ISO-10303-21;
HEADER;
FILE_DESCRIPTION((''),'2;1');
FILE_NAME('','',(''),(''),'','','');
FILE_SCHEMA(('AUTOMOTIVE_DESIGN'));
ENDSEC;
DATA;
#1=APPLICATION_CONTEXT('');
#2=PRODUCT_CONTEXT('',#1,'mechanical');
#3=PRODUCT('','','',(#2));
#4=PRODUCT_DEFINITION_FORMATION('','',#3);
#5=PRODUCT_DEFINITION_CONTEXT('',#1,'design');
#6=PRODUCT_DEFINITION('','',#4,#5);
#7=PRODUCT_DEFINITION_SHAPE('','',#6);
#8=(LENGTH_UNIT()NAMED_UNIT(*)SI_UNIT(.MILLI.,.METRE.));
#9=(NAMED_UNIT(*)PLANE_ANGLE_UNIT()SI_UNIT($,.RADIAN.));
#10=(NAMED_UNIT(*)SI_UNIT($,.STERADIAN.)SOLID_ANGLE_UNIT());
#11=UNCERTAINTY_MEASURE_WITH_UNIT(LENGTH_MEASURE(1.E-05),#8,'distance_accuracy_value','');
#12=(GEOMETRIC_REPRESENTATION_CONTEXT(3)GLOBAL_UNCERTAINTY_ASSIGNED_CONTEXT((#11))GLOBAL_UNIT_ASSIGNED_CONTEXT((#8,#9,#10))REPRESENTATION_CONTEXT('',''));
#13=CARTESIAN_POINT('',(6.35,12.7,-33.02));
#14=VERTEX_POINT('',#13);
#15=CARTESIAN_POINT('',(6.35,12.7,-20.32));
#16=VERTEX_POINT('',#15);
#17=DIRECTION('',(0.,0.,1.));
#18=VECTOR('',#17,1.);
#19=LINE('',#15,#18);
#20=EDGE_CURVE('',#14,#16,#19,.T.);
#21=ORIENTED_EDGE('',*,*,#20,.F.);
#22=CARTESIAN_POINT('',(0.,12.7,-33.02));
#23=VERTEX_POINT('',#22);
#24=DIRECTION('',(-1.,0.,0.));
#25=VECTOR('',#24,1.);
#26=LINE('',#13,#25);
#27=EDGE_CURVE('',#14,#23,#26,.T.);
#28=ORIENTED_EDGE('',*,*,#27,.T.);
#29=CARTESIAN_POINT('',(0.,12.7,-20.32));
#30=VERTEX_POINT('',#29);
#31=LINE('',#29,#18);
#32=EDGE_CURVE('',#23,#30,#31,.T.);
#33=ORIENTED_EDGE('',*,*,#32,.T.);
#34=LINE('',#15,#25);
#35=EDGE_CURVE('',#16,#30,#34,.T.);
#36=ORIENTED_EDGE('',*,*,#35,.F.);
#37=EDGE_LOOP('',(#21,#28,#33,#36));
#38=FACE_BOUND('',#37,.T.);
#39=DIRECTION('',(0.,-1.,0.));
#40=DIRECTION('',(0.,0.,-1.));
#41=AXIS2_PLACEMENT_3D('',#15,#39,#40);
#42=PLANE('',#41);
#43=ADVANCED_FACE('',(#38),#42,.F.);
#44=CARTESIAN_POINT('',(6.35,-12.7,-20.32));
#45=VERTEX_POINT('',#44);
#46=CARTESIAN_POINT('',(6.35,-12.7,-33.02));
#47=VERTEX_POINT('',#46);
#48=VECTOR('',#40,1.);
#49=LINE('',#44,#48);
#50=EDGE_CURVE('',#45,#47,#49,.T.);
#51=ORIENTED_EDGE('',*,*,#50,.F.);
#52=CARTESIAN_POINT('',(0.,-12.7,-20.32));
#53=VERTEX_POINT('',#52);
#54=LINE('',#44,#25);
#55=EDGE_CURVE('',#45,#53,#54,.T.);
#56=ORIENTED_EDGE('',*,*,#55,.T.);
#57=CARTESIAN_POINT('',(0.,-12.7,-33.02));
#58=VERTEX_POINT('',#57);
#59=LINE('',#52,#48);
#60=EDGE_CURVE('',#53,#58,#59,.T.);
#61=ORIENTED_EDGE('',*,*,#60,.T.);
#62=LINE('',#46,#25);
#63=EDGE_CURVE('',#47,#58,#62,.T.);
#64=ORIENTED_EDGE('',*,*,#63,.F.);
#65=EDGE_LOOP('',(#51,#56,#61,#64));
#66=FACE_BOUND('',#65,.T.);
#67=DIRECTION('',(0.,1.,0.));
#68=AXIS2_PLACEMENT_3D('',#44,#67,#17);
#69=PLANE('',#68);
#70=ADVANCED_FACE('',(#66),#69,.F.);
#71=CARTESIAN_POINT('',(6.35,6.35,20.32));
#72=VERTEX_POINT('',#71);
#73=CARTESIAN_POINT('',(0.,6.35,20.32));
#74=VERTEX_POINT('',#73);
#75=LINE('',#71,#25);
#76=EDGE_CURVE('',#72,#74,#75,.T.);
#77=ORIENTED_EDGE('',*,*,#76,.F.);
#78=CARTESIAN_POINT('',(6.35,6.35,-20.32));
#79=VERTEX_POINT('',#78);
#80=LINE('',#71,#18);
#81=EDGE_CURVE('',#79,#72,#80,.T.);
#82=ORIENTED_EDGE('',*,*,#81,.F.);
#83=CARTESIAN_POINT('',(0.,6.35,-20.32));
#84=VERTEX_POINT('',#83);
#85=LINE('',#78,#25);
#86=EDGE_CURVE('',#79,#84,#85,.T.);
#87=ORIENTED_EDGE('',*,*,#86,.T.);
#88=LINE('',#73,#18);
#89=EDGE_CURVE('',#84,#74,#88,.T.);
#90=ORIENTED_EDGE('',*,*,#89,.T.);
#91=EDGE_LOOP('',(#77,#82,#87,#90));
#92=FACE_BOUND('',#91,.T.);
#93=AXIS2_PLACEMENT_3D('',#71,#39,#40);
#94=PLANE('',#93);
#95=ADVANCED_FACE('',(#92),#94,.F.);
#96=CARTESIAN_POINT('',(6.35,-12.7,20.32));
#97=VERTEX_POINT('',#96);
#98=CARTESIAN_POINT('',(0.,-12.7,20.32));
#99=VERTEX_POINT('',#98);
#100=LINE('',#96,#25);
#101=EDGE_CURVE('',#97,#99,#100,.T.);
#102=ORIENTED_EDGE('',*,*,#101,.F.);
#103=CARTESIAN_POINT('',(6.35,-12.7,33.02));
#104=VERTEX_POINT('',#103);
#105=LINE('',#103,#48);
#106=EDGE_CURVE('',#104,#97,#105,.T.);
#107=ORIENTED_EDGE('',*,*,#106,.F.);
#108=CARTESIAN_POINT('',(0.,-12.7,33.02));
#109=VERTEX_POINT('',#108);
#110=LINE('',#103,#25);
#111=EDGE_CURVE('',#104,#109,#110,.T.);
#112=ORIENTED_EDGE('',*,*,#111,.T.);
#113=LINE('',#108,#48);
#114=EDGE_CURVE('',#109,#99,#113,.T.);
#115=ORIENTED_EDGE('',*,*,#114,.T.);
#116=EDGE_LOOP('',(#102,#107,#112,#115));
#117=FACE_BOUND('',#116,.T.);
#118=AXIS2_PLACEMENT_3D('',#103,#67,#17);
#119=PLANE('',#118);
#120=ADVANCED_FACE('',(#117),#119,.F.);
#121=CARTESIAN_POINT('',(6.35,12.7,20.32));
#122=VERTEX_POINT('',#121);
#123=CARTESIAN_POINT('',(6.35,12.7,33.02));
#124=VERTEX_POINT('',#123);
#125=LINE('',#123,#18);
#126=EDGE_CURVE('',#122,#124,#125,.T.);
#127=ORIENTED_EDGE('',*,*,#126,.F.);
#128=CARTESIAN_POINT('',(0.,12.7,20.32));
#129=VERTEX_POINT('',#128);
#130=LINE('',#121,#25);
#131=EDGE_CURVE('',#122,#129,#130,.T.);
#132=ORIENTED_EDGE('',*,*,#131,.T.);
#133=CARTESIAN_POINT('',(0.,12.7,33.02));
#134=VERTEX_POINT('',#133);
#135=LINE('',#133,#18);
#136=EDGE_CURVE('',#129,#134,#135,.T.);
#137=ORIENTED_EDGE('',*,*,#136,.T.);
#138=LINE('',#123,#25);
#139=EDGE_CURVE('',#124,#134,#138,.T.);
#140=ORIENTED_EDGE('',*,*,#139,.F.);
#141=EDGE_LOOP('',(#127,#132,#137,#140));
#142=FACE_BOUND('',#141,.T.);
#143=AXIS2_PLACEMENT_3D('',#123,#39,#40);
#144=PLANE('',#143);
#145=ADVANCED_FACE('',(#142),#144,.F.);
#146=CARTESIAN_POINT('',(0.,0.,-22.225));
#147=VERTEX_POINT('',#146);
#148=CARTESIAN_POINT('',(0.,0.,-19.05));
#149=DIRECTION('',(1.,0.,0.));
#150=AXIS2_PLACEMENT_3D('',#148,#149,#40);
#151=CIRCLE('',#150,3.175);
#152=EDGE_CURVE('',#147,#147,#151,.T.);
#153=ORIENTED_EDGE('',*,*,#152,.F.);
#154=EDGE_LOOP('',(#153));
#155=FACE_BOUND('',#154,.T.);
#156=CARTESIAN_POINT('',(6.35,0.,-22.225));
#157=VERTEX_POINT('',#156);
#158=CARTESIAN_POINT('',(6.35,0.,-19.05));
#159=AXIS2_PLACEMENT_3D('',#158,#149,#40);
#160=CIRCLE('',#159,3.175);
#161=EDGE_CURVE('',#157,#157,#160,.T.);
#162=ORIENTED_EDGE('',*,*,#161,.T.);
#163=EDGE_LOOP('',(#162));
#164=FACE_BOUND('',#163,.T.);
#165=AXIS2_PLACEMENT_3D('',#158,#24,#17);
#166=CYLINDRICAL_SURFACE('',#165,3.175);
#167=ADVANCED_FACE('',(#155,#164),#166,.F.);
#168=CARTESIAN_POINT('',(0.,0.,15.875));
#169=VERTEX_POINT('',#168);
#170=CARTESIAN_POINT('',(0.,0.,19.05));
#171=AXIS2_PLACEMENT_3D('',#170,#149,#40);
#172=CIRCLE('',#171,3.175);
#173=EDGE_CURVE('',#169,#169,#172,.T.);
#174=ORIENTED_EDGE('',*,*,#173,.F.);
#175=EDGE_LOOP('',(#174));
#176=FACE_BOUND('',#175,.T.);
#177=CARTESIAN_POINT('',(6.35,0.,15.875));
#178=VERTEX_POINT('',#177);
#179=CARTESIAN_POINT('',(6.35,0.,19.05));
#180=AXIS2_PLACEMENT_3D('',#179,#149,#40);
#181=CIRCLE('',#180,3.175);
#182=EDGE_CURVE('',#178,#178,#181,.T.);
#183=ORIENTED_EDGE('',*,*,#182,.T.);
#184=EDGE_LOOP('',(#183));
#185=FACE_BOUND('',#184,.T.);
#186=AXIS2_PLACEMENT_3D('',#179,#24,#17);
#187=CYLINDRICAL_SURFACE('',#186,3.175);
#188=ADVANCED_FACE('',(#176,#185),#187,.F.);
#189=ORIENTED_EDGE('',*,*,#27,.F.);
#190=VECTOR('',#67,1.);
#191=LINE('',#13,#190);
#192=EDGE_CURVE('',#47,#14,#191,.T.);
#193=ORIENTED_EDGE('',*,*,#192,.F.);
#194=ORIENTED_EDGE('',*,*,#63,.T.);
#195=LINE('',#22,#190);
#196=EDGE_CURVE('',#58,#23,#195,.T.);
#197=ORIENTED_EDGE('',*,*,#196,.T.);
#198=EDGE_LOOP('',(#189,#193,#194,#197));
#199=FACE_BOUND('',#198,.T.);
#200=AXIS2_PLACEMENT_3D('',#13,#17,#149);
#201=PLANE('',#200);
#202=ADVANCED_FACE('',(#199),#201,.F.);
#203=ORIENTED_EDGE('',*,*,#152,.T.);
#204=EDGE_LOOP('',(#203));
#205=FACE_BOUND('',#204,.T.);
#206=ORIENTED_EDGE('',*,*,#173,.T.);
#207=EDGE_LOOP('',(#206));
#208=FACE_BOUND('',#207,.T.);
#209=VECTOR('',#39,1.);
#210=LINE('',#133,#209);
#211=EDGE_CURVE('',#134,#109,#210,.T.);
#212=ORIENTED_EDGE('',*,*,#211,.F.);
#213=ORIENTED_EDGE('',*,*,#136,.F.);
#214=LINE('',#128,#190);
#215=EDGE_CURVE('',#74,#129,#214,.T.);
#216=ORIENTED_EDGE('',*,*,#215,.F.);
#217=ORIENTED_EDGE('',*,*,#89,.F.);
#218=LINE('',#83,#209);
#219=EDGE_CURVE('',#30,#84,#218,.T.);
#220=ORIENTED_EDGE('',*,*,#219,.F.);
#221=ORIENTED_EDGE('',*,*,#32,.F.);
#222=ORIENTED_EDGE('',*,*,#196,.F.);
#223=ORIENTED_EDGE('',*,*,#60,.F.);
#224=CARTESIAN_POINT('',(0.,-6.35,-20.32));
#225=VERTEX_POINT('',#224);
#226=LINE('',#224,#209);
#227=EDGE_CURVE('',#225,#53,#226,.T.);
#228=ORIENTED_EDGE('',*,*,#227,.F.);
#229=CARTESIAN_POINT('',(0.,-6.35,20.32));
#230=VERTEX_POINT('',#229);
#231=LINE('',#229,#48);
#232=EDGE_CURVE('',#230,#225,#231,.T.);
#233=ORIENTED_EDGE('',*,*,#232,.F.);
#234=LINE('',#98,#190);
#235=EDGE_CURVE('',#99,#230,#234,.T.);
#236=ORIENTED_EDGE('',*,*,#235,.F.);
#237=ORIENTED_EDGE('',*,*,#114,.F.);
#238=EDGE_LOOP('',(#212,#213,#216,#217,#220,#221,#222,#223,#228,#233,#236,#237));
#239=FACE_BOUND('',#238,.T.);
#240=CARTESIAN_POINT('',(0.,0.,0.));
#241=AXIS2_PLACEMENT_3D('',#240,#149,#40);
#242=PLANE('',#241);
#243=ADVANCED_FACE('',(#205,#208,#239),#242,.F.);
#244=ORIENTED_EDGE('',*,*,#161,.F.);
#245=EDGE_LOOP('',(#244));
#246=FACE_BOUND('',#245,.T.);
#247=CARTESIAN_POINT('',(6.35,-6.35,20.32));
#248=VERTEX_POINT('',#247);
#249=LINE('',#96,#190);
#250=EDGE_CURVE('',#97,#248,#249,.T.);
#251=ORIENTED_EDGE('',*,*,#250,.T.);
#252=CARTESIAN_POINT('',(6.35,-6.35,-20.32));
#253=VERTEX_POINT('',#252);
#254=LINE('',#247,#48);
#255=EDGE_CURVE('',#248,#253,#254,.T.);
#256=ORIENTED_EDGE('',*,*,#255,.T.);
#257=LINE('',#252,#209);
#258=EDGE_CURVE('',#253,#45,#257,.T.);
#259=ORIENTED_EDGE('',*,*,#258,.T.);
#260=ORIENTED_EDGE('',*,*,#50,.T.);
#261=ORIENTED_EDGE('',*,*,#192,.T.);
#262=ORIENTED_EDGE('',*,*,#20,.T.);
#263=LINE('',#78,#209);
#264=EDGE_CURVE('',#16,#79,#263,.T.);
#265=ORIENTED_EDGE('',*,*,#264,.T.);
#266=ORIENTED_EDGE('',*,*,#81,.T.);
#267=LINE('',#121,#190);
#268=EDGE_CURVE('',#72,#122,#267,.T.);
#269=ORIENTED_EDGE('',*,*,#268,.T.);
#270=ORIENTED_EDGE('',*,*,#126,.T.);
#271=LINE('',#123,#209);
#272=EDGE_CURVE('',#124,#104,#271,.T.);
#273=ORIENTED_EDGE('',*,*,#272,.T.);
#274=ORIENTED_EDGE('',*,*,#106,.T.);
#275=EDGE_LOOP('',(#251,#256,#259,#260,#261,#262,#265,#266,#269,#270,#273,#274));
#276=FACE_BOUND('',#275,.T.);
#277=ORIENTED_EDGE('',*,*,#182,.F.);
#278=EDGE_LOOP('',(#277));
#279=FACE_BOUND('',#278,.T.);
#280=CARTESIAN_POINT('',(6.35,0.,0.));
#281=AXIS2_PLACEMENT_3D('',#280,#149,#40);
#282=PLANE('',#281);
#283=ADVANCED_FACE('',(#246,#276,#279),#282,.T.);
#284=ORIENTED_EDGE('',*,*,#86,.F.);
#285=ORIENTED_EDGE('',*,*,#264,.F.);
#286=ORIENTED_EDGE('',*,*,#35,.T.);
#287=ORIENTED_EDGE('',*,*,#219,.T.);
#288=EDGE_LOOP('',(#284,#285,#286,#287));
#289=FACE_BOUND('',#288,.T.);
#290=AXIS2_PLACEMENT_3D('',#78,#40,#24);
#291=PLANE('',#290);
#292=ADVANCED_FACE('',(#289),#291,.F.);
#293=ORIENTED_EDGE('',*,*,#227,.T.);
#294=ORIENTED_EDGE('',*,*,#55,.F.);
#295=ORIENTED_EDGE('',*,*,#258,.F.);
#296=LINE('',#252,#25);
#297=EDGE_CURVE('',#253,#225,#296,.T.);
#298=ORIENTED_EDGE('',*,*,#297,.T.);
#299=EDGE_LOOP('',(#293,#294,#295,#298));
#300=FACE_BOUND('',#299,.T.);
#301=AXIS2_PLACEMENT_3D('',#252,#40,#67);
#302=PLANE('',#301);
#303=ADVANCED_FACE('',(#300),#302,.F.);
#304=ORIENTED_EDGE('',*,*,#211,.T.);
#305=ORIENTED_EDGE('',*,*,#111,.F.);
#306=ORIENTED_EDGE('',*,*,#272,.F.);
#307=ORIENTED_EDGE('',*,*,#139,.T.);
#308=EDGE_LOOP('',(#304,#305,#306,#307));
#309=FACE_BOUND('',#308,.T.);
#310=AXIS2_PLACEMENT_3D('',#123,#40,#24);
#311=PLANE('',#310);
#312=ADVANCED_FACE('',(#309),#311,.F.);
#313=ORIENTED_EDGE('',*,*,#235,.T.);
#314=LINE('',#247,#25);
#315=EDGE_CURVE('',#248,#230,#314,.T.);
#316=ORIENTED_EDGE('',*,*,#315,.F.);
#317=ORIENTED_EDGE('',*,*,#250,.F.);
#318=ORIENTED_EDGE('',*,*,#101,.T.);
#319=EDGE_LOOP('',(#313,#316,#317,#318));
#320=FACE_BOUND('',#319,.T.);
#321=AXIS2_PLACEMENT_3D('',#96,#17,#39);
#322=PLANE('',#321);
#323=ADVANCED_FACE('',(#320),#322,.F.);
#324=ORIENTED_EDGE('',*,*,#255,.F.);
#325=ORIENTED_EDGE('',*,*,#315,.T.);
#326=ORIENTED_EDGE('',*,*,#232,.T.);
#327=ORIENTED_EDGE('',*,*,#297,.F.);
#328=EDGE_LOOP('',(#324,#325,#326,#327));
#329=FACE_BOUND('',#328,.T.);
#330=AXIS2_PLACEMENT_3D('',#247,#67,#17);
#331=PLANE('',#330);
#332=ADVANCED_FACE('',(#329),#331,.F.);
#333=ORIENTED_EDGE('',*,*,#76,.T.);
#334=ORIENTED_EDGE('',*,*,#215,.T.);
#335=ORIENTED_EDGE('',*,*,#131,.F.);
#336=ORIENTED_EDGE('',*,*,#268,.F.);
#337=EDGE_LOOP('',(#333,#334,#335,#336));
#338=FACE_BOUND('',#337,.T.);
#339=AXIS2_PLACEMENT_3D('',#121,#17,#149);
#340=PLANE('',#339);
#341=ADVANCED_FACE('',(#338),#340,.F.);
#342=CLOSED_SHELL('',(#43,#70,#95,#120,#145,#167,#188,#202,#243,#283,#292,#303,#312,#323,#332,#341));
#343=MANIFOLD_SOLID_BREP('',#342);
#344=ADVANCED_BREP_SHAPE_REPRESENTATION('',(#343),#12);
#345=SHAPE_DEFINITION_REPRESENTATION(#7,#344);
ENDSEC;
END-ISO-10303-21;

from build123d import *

# Parameters (mm, degrees)
SKETCH1_R           = 3.175
BOSS_EXTRUDE1_DEPTH = 6.35


with BuildPart() as part:
    # Sketch1 → Boss-Extrude1 (new body)
    with BuildSketch(Plane(origin=(0, 0, 0), x_dir=(0, 0, -1), z_dir=(1, 0, 0))):
        Polygon((-20.32, 12.7), (-20.32, 6.35), (20.32, 6.35), (20.32, 12.7), (33.02, 12.7), (33.02, -12.7), (20.32, -12.7), (20.32, -6.35), (-20.32, -6.35), (-20.32, -12.7), (-33.02, -12.7), (-33.02, 12.7), align=None)
        with Locations((-19.05, 0)):
            Circle(SKETCH1_R, mode=Mode.SUBTRACT)
        with Locations((19.05, 0)):
            Circle(SKETCH1_R, mode=Mode.SUBTRACT)
    extrude(amount=BOSS_EXTRUDE1_DEPTH)


solid = part.part
